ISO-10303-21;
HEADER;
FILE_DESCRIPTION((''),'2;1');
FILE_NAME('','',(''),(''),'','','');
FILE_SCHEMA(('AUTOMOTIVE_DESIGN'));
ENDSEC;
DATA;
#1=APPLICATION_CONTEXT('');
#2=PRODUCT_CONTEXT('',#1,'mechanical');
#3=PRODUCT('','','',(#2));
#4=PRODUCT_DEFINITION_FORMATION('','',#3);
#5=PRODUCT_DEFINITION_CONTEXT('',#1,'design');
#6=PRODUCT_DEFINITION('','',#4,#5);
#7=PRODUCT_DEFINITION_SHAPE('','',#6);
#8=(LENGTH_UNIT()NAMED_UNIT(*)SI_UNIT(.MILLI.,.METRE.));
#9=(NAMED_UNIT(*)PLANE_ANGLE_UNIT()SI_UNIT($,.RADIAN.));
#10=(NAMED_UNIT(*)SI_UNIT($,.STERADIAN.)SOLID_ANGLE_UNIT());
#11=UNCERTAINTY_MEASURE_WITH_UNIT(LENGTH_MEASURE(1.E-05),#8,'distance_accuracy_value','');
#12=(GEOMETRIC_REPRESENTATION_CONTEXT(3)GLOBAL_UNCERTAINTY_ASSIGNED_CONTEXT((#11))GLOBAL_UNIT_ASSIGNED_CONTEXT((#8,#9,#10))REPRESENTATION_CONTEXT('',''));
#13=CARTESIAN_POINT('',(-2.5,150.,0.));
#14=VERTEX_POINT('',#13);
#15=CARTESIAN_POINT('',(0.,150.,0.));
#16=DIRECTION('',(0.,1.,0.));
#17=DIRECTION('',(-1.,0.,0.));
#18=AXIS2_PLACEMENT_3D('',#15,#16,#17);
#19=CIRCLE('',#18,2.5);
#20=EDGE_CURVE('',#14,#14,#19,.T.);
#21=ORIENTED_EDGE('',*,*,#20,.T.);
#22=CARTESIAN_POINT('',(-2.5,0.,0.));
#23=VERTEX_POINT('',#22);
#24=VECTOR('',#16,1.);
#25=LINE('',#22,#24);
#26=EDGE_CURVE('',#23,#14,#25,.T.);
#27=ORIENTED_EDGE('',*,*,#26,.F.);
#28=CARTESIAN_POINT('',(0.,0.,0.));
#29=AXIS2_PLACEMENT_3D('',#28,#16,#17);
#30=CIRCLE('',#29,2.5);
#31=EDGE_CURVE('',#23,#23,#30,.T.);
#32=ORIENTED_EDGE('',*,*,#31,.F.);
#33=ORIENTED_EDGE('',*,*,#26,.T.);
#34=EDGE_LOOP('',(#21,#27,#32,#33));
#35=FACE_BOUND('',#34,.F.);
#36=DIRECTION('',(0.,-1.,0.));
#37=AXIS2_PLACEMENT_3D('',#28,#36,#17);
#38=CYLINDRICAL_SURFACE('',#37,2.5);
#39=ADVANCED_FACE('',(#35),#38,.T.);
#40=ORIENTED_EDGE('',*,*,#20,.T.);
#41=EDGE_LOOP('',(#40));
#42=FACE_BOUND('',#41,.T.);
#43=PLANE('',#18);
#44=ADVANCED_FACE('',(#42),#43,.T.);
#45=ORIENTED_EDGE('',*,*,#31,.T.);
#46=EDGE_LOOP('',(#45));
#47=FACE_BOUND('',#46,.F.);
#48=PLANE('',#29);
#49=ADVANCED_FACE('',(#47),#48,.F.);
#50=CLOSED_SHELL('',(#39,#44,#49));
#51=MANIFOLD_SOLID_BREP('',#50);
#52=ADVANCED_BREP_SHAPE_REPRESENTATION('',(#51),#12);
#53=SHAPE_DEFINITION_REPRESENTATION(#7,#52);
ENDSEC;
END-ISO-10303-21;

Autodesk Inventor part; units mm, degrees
ref_plane "YZ Plane" through (0, 0, 0) normal (1, 0, 0) x (0, 1, 0)
ref_plane "XZ Plane" through (0, 0, 0) normal (0, 1, 0) x (-1, 0, 0)
ref_plane "XY Plane" through (0, 0, 0) normal (0, 0, 1) x (1, 0, 0)
sketch "Sketch1" plane through (0, 0, 0) normal (0, 1, 0) x (-1, 0, 0)
  circle A0 centre (0, 0) radius 2.5
  dimension "d0" = 5
extrude "Extrusion1" add sketch "Sketch1" along normal blind 150
properties part number "support"
